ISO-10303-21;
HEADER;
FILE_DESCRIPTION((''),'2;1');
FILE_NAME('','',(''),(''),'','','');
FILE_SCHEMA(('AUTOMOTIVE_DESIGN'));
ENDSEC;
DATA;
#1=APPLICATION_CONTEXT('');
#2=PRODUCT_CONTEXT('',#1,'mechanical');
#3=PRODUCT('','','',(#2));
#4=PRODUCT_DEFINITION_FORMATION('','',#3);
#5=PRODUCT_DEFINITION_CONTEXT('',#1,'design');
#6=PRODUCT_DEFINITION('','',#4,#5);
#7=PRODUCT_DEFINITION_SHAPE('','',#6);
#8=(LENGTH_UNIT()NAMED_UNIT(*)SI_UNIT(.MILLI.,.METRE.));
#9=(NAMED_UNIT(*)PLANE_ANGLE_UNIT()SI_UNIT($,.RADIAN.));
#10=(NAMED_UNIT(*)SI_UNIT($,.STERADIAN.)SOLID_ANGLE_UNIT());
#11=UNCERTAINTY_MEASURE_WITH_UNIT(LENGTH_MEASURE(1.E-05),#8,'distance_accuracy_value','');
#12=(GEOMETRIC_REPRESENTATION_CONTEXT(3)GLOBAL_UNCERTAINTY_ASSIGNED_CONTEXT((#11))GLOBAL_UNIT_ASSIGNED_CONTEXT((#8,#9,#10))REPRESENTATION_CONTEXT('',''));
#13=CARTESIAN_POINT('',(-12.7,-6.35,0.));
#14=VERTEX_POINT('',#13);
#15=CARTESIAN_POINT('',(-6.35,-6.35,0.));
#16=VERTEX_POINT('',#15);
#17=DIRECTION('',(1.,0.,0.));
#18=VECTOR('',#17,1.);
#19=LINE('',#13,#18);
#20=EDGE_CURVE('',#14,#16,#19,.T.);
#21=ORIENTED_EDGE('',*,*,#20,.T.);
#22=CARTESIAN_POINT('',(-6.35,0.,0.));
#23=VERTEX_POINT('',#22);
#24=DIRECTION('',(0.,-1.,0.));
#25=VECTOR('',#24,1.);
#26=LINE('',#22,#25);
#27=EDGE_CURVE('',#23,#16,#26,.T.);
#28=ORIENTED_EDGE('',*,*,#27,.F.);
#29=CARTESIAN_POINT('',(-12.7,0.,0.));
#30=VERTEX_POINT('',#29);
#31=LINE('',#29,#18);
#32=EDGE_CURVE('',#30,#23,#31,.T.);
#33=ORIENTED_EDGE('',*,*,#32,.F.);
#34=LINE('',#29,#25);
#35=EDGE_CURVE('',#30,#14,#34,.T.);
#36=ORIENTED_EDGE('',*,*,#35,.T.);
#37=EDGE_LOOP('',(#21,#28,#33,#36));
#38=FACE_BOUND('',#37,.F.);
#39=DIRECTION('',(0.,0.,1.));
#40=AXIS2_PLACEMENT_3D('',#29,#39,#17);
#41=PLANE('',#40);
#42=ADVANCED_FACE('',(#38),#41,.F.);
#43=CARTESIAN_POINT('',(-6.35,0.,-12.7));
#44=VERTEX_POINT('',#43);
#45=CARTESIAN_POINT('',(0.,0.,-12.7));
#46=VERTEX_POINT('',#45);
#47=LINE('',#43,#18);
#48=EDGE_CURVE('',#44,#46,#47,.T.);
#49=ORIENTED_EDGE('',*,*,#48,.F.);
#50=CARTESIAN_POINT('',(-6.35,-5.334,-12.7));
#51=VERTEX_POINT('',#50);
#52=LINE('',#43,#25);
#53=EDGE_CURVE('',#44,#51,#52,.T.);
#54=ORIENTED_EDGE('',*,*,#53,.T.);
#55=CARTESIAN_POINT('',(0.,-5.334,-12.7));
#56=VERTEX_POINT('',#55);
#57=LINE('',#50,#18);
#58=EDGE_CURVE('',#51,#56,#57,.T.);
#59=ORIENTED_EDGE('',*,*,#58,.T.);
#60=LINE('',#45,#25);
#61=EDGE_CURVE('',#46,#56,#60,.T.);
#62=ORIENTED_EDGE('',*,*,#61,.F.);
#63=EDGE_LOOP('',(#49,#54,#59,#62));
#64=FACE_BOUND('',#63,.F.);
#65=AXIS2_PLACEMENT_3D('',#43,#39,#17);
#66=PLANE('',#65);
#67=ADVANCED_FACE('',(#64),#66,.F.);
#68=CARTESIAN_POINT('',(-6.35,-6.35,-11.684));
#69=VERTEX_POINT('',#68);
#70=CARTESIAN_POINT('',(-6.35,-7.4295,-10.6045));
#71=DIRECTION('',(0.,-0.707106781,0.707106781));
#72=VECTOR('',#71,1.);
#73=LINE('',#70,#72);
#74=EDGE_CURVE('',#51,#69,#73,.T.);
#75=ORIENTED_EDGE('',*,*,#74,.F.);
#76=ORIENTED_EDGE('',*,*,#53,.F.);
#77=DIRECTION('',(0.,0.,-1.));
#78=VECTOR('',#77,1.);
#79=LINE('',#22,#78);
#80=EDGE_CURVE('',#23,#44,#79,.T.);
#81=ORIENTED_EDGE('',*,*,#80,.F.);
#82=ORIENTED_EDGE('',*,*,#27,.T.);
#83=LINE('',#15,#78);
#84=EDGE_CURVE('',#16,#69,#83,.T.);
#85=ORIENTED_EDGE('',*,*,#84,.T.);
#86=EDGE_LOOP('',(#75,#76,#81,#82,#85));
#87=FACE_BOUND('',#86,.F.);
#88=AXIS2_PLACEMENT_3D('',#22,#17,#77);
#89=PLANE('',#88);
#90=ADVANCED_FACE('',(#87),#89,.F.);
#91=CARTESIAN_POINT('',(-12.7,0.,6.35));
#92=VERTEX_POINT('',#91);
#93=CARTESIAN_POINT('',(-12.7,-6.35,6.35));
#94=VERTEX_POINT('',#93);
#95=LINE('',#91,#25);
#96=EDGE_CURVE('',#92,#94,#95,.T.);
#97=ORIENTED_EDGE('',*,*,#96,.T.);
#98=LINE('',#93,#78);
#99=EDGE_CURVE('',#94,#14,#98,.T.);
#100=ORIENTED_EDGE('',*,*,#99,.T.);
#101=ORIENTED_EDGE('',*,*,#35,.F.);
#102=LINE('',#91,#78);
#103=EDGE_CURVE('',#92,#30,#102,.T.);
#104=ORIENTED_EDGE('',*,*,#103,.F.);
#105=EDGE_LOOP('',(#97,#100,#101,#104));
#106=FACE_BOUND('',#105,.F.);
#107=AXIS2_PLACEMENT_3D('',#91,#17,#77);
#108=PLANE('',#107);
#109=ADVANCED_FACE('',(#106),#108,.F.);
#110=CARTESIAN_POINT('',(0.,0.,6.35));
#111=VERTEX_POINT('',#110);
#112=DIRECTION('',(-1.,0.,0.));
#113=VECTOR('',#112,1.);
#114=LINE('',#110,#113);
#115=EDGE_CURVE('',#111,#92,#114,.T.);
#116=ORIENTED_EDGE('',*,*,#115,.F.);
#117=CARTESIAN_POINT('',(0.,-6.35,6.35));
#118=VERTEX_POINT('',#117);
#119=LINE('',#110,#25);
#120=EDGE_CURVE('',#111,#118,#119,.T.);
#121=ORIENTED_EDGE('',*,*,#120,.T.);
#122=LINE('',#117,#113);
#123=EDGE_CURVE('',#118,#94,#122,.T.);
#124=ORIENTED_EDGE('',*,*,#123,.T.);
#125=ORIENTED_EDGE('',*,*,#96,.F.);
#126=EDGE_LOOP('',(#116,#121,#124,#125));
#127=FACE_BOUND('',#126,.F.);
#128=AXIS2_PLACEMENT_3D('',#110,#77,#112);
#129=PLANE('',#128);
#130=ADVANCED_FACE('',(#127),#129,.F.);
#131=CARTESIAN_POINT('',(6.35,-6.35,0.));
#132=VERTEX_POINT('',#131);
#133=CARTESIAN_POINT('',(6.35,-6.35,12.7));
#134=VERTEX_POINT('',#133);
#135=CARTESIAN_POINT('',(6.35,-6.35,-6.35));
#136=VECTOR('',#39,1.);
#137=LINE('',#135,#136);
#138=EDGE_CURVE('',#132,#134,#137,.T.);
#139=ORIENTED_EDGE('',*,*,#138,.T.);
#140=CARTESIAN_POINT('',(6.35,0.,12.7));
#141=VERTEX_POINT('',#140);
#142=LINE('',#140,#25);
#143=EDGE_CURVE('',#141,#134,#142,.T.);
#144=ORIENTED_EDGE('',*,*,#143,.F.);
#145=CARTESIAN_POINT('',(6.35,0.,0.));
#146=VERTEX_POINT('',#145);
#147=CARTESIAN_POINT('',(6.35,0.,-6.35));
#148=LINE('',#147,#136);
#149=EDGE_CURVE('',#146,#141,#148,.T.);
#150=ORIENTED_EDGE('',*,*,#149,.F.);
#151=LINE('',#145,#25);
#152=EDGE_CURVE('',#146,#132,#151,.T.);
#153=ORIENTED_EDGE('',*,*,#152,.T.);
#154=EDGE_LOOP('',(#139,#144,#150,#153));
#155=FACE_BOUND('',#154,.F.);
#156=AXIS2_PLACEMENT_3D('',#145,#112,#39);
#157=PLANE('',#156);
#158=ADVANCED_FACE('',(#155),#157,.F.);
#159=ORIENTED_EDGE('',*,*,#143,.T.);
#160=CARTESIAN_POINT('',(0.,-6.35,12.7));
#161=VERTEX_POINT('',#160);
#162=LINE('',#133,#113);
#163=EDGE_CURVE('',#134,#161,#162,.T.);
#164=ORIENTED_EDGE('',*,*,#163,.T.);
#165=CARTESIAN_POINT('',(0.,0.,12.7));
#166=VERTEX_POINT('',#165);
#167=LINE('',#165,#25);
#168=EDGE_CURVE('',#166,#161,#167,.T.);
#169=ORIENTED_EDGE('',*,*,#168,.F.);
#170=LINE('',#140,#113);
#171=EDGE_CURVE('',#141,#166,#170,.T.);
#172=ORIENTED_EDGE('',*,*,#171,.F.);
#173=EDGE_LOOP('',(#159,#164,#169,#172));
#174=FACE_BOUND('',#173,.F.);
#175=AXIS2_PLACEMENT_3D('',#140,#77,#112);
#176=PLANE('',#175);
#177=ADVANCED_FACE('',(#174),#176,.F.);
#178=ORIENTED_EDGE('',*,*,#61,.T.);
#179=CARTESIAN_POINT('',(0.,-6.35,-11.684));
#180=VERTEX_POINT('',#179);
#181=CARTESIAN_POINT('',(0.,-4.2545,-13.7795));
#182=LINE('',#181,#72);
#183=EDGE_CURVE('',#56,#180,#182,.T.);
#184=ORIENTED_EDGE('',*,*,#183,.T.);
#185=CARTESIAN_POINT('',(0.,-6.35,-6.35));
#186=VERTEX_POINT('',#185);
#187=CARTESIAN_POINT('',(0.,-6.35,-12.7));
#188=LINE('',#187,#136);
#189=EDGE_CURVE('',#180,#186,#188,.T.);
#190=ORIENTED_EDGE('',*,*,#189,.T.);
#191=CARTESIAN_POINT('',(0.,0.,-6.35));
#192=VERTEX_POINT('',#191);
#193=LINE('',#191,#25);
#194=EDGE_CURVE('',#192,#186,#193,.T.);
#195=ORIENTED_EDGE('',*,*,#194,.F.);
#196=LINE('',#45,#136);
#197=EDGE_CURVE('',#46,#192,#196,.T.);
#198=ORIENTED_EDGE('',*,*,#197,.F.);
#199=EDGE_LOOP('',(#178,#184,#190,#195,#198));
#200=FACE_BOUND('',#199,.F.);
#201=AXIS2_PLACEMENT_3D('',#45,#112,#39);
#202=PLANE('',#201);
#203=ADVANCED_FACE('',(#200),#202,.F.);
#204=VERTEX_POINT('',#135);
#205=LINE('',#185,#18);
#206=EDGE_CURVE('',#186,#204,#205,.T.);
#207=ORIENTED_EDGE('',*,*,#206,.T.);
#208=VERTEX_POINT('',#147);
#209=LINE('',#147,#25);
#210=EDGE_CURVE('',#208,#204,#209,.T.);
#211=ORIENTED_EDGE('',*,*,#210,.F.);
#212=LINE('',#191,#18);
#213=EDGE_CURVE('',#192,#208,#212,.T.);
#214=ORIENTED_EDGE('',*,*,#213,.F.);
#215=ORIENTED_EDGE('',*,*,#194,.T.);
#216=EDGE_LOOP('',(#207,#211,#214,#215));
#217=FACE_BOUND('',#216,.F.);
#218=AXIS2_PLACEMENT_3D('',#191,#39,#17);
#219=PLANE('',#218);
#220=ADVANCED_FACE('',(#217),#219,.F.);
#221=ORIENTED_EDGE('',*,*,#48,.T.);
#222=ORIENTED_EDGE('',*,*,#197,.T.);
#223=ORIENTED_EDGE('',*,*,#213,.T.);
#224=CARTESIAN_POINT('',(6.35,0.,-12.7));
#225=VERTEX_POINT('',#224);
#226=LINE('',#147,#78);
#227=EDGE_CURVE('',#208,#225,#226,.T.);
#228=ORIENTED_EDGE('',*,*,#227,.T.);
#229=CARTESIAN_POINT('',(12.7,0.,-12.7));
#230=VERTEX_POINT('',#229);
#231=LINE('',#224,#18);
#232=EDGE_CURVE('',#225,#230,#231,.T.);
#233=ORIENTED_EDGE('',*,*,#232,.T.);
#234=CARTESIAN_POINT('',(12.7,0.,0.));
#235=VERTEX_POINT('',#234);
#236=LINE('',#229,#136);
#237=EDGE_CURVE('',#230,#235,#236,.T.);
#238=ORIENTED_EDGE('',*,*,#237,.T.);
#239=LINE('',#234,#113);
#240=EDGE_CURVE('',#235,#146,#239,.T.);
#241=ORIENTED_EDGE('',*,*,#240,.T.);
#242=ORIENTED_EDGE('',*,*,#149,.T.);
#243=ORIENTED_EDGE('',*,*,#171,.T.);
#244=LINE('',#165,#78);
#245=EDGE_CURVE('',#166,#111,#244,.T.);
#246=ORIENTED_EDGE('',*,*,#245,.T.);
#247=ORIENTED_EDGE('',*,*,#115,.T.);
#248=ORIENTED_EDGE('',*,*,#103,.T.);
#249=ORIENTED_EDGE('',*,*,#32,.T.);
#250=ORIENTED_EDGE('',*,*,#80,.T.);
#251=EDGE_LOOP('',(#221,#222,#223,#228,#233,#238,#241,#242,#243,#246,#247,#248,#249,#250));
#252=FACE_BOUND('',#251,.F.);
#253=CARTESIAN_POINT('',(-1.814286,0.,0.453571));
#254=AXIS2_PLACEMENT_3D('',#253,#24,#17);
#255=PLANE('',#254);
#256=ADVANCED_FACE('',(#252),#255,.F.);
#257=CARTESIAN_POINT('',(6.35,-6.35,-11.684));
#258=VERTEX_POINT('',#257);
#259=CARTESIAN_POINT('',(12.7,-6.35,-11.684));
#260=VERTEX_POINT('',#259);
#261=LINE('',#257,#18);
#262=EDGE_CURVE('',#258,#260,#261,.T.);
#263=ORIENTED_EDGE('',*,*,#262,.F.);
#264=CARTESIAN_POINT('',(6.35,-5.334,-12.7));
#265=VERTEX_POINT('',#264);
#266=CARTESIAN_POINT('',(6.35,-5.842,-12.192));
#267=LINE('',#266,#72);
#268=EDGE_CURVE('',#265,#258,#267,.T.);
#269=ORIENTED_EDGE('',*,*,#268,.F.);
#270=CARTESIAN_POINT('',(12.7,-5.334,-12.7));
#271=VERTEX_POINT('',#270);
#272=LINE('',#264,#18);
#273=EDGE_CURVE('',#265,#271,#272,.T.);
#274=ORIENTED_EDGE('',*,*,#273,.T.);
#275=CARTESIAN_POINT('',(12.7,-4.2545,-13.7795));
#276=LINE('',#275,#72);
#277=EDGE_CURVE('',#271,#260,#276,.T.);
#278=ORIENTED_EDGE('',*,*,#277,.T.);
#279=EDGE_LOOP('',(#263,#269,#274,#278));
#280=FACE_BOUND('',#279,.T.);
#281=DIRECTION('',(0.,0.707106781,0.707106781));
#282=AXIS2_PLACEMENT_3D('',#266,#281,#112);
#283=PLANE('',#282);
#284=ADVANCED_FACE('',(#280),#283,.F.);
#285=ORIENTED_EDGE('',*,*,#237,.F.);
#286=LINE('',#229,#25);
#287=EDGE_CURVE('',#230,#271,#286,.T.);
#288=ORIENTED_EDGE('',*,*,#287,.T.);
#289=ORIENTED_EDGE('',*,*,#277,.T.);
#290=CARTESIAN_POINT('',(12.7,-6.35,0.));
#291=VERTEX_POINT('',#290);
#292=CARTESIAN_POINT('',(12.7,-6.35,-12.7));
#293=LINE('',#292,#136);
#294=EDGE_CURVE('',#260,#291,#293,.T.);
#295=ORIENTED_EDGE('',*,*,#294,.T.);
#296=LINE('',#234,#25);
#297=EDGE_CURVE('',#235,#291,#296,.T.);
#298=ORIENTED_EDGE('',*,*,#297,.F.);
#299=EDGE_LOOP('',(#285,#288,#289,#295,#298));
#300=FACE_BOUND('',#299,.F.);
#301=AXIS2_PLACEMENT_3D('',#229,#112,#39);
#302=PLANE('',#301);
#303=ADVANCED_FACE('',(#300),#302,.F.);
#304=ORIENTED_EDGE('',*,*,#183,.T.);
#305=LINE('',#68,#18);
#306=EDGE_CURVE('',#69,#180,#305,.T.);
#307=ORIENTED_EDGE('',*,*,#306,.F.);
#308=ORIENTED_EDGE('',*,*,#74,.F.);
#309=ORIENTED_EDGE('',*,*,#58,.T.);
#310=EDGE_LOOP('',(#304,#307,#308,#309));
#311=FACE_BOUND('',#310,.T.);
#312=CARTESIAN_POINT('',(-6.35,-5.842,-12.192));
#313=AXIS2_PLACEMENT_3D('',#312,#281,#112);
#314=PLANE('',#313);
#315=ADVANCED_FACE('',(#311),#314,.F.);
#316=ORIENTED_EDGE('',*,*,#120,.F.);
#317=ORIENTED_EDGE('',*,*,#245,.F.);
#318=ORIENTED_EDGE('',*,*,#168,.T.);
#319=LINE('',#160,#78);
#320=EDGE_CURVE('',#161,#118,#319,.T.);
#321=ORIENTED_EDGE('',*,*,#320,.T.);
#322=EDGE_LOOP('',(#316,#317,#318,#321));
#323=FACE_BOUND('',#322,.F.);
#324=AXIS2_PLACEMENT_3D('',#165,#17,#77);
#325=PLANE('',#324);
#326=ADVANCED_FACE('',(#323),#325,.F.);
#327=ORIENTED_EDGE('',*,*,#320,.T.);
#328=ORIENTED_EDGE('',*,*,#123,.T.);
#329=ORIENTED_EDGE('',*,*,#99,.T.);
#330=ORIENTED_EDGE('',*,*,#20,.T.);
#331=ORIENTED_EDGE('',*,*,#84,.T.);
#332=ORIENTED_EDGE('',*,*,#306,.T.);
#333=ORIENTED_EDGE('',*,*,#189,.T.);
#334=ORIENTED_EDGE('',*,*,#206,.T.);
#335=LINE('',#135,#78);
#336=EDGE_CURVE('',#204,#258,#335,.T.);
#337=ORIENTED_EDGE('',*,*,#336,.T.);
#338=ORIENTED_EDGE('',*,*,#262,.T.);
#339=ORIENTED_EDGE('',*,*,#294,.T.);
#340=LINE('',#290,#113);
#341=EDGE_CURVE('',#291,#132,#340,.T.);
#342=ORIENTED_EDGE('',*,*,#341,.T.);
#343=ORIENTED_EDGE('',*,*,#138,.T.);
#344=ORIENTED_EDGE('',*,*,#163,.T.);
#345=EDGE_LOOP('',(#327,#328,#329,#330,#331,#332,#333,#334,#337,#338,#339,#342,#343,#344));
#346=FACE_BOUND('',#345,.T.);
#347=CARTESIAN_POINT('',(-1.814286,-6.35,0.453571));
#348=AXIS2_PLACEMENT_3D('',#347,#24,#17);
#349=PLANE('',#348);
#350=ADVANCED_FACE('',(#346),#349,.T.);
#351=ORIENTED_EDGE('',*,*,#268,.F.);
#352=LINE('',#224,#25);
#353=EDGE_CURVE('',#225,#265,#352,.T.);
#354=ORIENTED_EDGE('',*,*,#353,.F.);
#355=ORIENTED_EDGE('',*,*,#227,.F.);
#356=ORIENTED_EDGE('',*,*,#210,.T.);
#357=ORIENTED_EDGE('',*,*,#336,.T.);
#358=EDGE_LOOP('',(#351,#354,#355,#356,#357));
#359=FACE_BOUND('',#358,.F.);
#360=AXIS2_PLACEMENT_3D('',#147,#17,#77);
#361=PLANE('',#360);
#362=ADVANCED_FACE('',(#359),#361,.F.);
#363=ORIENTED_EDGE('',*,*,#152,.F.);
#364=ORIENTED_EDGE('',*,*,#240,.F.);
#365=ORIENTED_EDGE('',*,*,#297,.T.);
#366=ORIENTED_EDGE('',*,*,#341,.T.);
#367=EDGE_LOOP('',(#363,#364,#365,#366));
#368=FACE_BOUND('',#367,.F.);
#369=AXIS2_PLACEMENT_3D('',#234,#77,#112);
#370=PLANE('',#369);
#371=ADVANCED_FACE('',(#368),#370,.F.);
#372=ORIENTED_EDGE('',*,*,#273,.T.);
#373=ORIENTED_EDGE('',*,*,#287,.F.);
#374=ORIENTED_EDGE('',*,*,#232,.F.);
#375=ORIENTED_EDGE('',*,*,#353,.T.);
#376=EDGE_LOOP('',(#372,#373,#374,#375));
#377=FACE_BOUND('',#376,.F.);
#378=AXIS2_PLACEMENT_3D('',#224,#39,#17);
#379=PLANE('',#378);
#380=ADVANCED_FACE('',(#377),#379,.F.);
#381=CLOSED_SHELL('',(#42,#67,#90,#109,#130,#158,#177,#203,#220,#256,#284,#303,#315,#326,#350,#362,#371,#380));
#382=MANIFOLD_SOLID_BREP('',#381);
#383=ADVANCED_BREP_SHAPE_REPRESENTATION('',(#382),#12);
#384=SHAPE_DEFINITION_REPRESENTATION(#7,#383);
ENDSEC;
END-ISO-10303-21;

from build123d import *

# Parameters (mm, degrees)
F1_DEPTH = 6.35
F2_SIZE  = 1.016


with BuildPart() as f1:
    # F0 (on Front) → F1 (new body)
    with BuildSketch(Plane.XZ):
        Polygon((6.35, 0), (6.35, 12.7), (0, 12.7), (0, 6.35), (-12.7, 6.35), (-12.7, 0), (-6.35, 0), (-6.35, -12.7), (0, -12.7), (0, -6.35), (6.35, -6.35), align=None)
        Polygon((12.7, 0), (6.35, 0), (6.35, -6.35), (6.35, -12.7), (12.7, -12.7), align=None)
    extrude(amount=F1_DEPTH)

    # F2
    f2_edges = [f1.edges().sort_by_distance(p)[0] for p in [
        (-3.175, -6.35, -12.7),
        (9.525, -6.35, -12.7),
    ]]
    chamfer(f2_edges, length=F2_SIZE)


solid = f1.part
